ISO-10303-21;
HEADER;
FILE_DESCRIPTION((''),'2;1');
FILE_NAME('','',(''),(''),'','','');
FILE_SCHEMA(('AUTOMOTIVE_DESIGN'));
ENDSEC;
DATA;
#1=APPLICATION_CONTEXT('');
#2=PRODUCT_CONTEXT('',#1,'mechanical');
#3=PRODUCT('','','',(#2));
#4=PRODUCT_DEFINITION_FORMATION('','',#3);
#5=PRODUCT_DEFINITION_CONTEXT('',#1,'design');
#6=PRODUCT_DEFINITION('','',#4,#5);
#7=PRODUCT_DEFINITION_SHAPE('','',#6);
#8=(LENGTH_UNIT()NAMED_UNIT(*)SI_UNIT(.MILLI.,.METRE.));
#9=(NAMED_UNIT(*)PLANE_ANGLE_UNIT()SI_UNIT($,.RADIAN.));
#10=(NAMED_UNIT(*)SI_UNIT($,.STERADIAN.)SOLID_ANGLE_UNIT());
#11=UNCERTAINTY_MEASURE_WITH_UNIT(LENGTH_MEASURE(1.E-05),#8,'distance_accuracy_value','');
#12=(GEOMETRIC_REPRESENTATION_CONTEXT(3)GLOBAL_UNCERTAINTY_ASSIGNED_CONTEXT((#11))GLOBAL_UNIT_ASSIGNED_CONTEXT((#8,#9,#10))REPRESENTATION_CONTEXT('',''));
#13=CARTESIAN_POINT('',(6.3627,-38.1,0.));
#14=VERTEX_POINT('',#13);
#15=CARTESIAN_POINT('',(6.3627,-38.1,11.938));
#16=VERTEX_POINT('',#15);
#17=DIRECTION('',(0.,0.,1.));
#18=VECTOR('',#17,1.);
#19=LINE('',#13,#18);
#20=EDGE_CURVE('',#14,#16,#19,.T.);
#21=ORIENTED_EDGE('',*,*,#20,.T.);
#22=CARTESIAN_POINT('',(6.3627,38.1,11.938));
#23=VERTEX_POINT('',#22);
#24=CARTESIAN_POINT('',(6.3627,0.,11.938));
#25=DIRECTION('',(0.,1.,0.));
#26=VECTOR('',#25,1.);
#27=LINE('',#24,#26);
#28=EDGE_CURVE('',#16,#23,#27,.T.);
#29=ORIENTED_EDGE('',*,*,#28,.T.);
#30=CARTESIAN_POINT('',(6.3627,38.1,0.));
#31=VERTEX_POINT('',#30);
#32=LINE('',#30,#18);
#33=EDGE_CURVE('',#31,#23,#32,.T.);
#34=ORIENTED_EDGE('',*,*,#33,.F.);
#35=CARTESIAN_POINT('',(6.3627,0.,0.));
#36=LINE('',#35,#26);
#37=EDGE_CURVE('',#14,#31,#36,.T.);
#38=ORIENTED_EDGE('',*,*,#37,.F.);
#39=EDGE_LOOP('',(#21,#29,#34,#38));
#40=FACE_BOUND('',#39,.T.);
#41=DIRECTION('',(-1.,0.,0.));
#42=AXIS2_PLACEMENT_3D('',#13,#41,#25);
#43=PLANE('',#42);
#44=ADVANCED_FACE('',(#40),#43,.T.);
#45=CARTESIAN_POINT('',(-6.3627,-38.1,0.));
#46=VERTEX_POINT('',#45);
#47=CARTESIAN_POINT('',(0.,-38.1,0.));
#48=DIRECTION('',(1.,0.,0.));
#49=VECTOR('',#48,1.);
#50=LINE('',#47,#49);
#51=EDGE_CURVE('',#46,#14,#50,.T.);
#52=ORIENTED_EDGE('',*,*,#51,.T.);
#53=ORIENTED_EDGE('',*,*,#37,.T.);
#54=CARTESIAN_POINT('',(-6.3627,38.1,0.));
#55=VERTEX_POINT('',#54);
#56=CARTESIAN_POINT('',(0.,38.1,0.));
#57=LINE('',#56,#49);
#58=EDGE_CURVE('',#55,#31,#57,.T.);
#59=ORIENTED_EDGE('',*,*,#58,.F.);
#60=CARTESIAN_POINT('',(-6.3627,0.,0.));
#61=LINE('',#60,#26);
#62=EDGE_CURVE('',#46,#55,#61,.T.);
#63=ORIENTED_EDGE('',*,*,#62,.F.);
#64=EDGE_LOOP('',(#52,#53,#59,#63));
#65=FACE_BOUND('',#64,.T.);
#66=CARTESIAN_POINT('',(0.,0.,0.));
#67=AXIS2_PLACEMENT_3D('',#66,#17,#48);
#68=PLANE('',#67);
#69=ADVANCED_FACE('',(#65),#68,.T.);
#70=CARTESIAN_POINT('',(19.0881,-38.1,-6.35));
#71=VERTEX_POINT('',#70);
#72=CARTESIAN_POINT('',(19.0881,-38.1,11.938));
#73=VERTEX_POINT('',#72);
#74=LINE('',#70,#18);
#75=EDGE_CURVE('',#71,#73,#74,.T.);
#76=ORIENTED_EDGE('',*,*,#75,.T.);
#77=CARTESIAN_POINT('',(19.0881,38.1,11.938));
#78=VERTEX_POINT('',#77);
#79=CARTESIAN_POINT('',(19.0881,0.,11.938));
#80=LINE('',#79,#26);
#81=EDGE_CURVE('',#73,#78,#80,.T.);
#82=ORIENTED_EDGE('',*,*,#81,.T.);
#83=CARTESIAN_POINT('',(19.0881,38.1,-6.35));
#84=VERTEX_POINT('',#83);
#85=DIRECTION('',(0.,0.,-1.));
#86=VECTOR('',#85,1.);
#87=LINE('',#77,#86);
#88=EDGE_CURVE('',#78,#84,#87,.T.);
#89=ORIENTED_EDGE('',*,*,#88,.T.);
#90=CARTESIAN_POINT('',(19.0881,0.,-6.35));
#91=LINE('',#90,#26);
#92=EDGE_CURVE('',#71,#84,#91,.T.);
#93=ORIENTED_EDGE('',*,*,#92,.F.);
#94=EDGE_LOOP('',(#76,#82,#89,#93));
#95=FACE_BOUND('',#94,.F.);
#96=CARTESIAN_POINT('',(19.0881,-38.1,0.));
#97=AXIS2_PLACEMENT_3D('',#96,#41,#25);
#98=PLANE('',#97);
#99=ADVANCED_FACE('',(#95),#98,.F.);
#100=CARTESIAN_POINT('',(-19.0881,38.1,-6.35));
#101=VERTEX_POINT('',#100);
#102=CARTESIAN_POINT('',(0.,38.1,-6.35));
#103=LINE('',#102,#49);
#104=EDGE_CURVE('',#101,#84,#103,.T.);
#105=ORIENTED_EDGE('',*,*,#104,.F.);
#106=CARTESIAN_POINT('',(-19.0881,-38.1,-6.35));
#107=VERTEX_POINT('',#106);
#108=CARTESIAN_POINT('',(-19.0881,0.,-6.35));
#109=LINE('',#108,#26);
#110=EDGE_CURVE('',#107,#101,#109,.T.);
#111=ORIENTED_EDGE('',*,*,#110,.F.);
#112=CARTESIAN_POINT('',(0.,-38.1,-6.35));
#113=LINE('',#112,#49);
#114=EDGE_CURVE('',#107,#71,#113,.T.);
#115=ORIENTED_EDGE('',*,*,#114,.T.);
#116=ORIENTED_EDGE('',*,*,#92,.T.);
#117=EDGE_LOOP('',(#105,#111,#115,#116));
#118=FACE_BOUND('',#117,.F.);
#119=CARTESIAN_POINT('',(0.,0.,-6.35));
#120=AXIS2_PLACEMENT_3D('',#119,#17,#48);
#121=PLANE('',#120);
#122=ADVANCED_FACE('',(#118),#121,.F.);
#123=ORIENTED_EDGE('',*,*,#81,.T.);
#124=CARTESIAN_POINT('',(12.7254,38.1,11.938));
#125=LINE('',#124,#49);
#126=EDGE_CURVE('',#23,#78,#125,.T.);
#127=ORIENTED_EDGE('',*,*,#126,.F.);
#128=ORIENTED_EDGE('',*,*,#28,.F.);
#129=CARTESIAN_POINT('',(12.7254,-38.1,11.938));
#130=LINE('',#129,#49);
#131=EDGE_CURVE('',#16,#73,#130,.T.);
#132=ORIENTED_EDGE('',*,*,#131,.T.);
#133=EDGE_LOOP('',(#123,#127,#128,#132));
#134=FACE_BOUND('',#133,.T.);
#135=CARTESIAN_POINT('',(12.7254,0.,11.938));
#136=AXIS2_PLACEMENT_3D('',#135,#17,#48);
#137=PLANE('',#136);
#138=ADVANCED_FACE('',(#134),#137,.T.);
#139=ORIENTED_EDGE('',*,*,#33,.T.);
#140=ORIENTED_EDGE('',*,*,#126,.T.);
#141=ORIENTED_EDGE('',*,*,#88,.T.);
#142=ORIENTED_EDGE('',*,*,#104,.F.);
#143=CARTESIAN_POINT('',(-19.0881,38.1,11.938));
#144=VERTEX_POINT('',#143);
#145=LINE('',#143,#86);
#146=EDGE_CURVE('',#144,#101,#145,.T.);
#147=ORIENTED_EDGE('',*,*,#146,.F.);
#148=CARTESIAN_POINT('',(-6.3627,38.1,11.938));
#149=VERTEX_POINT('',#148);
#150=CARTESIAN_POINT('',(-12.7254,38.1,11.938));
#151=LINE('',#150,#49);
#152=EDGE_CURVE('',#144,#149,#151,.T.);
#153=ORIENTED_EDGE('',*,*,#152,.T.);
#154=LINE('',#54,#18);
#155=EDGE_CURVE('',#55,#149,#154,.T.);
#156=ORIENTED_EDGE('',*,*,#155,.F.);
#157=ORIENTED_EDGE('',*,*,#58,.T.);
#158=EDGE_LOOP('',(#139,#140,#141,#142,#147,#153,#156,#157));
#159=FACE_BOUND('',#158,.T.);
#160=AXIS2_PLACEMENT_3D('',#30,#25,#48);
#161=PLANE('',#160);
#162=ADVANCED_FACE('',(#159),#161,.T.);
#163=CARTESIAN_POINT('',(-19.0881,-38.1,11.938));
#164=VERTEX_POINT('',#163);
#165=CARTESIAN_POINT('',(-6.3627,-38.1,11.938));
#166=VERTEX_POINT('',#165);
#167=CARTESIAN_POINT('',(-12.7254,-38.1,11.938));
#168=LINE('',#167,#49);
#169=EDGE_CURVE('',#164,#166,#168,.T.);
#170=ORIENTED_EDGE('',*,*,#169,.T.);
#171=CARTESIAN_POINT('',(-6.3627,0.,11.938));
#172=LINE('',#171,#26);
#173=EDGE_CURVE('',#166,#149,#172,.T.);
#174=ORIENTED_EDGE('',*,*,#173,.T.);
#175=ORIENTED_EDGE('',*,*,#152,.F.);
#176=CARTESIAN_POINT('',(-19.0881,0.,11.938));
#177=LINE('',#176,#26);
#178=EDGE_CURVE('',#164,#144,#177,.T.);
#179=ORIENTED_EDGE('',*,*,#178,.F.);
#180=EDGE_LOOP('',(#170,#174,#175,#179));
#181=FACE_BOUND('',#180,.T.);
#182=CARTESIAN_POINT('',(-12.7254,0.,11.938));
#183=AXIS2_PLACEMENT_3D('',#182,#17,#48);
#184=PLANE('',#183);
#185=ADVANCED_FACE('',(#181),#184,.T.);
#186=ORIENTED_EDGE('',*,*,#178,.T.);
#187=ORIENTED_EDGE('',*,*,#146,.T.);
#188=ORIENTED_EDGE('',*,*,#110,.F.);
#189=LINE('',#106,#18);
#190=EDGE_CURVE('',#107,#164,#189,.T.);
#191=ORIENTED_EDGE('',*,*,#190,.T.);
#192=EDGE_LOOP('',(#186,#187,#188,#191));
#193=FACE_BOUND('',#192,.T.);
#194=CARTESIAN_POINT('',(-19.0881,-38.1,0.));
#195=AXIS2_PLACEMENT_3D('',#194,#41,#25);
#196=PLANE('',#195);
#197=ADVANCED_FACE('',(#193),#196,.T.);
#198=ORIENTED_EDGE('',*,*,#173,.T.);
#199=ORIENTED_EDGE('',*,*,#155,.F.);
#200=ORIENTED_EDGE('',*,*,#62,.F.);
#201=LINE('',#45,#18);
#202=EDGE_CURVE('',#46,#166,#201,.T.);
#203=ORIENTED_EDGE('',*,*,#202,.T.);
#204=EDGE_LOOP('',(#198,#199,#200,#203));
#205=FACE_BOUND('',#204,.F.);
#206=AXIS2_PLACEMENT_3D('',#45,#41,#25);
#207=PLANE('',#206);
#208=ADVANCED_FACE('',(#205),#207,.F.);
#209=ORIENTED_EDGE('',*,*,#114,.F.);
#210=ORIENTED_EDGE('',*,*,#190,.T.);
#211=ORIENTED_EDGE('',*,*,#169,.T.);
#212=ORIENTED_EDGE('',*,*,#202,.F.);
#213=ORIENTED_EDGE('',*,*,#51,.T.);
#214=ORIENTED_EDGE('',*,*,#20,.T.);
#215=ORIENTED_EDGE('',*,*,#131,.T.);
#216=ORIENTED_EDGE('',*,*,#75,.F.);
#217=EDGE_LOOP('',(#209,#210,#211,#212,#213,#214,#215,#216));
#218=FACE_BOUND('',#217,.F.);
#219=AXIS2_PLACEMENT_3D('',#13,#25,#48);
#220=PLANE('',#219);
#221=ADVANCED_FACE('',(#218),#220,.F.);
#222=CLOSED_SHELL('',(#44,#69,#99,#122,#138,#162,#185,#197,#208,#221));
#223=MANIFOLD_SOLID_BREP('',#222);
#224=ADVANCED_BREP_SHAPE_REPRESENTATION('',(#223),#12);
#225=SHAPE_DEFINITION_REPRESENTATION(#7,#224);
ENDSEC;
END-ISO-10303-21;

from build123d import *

# Parameters (mm, degrees)
F0_W     = 38.1762
F0_H     = 76.2
F1_DEPTH = 6.35
F2_W     = 12.7254
F2_H     = 76.2
F3_DEPTH = 11.938
F4_DEPTH = 11.938


with BuildPart() as f1:
    # F0 (on Top) → F1 (new body)
    with BuildSketch(Plane.XY):
        Rectangle(F0_W, F0_H)
    extrude(amount=-F1_DEPTH)

    # F2 (on face) → F3 (join)
    with BuildSketch(Plane.XY):
        with Locations((-12.7254, 0)):
            Rectangle(F2_W, F2_H)
    extrude(amount=F3_DEPTH)

    # F2 (on face) → F4 (join)
    with BuildSketch(Plane.XY):
        with Locations((12.7254, 0)):
            Rectangle(F2_W, F2_H)
    extrude(amount=F4_DEPTH)


solid = f1.part
